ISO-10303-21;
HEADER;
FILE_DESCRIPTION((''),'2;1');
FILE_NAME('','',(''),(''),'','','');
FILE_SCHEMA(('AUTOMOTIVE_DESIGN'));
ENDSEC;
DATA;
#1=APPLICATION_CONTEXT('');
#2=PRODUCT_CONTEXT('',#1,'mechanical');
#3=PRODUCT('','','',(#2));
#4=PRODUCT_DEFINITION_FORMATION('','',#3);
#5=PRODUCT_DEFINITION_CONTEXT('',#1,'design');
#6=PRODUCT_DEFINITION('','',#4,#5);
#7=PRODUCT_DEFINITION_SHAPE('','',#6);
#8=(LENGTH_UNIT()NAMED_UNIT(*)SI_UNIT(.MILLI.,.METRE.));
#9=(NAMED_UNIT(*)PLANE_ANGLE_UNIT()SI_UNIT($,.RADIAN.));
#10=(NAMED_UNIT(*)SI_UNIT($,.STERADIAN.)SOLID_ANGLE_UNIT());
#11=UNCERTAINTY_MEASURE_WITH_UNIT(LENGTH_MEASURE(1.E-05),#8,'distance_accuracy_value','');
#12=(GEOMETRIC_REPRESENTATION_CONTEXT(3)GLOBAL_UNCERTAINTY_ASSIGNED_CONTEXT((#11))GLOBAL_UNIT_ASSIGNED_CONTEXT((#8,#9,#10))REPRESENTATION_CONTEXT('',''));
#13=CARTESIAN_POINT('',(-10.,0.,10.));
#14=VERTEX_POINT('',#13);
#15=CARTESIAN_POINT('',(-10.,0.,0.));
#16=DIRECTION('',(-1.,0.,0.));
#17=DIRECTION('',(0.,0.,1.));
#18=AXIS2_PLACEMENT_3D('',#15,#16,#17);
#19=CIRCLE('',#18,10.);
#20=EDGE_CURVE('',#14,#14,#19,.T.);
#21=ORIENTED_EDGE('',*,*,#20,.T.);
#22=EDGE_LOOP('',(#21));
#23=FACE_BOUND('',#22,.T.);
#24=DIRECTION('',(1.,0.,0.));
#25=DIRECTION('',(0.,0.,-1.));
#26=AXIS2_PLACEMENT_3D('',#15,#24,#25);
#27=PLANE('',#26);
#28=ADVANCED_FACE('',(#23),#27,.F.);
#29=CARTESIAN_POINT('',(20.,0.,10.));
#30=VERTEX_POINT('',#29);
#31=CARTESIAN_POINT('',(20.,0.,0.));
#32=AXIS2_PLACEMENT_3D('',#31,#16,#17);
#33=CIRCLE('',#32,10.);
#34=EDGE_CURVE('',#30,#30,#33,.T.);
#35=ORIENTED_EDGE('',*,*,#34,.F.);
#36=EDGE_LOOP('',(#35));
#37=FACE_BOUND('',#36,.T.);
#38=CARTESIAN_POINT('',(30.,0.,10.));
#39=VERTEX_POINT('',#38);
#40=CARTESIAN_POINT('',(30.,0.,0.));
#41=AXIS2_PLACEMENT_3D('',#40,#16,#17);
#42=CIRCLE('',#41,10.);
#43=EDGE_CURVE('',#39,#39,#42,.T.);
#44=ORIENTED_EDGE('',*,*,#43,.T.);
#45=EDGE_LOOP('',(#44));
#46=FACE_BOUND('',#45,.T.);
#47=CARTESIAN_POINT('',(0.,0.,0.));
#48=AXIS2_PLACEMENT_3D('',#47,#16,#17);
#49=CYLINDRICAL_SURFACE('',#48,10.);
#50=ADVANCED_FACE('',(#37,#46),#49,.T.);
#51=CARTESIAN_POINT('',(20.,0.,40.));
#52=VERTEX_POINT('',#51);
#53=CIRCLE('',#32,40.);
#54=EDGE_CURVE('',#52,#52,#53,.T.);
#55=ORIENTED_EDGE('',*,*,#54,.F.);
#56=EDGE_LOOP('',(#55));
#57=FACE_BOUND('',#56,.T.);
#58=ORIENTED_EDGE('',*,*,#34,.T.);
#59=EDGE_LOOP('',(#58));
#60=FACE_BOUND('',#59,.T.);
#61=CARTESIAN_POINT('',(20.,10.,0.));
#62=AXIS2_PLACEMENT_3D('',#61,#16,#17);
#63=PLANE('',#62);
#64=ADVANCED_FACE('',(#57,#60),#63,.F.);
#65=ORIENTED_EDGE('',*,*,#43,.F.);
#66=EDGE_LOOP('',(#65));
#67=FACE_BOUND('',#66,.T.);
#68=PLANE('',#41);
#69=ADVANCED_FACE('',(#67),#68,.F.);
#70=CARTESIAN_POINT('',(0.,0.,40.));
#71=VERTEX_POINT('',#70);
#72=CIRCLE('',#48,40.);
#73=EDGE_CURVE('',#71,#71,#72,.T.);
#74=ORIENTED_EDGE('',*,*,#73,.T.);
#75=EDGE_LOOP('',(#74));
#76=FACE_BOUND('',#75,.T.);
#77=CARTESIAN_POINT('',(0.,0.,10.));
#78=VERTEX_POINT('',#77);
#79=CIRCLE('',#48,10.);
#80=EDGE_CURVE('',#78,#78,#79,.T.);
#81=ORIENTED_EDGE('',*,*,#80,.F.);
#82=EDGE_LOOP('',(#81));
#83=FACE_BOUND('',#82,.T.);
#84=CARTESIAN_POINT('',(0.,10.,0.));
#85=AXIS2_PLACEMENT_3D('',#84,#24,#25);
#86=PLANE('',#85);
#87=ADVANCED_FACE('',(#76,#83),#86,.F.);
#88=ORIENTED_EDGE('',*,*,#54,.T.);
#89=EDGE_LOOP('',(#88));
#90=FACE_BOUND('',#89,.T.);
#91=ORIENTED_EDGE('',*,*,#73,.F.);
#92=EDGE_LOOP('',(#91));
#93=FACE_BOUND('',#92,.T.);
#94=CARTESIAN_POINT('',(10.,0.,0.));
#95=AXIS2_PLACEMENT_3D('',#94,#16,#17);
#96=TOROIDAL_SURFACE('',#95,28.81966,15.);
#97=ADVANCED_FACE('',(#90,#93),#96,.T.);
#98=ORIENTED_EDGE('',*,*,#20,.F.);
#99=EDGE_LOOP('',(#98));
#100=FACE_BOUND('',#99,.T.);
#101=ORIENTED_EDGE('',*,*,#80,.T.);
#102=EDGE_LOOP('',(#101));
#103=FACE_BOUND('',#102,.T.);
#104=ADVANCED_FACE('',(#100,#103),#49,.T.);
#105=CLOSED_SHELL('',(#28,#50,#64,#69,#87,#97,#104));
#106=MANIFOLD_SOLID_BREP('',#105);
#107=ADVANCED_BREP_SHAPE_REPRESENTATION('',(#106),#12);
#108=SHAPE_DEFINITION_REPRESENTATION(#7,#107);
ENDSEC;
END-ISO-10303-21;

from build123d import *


with BuildPart() as part:
    # 草图1 → 旋转1 (revolve)
    with BuildSketch(Plane.XY, mode=Mode.PRIVATE) as revolve_1_sk:
        with BuildLine():
            Line((20, 0), (30, 0))
            Line((30, 0), (30, 10))
            Line((30, 10), (20, 10))
            Line((20, 10), (20, 40))
            ThreePointArc((20, 40), (10, 43.819660113), (0, 40))
            Line((0, 40), (0, 10))
            Line((0, 10), (-10, 10))
            Line((-10, 10), (-10, 0))
            Line((-10, 0), (0, 0))
            Line((0, 0), (20, 0))
        make_face()
    revolve(revolve_1_sk.sketch.rotate(Axis((0, 0, 0), (1, 0, 0)), 90), axis=Axis((0, 0, 0), (1, 0, 0)))


solid = part.part
